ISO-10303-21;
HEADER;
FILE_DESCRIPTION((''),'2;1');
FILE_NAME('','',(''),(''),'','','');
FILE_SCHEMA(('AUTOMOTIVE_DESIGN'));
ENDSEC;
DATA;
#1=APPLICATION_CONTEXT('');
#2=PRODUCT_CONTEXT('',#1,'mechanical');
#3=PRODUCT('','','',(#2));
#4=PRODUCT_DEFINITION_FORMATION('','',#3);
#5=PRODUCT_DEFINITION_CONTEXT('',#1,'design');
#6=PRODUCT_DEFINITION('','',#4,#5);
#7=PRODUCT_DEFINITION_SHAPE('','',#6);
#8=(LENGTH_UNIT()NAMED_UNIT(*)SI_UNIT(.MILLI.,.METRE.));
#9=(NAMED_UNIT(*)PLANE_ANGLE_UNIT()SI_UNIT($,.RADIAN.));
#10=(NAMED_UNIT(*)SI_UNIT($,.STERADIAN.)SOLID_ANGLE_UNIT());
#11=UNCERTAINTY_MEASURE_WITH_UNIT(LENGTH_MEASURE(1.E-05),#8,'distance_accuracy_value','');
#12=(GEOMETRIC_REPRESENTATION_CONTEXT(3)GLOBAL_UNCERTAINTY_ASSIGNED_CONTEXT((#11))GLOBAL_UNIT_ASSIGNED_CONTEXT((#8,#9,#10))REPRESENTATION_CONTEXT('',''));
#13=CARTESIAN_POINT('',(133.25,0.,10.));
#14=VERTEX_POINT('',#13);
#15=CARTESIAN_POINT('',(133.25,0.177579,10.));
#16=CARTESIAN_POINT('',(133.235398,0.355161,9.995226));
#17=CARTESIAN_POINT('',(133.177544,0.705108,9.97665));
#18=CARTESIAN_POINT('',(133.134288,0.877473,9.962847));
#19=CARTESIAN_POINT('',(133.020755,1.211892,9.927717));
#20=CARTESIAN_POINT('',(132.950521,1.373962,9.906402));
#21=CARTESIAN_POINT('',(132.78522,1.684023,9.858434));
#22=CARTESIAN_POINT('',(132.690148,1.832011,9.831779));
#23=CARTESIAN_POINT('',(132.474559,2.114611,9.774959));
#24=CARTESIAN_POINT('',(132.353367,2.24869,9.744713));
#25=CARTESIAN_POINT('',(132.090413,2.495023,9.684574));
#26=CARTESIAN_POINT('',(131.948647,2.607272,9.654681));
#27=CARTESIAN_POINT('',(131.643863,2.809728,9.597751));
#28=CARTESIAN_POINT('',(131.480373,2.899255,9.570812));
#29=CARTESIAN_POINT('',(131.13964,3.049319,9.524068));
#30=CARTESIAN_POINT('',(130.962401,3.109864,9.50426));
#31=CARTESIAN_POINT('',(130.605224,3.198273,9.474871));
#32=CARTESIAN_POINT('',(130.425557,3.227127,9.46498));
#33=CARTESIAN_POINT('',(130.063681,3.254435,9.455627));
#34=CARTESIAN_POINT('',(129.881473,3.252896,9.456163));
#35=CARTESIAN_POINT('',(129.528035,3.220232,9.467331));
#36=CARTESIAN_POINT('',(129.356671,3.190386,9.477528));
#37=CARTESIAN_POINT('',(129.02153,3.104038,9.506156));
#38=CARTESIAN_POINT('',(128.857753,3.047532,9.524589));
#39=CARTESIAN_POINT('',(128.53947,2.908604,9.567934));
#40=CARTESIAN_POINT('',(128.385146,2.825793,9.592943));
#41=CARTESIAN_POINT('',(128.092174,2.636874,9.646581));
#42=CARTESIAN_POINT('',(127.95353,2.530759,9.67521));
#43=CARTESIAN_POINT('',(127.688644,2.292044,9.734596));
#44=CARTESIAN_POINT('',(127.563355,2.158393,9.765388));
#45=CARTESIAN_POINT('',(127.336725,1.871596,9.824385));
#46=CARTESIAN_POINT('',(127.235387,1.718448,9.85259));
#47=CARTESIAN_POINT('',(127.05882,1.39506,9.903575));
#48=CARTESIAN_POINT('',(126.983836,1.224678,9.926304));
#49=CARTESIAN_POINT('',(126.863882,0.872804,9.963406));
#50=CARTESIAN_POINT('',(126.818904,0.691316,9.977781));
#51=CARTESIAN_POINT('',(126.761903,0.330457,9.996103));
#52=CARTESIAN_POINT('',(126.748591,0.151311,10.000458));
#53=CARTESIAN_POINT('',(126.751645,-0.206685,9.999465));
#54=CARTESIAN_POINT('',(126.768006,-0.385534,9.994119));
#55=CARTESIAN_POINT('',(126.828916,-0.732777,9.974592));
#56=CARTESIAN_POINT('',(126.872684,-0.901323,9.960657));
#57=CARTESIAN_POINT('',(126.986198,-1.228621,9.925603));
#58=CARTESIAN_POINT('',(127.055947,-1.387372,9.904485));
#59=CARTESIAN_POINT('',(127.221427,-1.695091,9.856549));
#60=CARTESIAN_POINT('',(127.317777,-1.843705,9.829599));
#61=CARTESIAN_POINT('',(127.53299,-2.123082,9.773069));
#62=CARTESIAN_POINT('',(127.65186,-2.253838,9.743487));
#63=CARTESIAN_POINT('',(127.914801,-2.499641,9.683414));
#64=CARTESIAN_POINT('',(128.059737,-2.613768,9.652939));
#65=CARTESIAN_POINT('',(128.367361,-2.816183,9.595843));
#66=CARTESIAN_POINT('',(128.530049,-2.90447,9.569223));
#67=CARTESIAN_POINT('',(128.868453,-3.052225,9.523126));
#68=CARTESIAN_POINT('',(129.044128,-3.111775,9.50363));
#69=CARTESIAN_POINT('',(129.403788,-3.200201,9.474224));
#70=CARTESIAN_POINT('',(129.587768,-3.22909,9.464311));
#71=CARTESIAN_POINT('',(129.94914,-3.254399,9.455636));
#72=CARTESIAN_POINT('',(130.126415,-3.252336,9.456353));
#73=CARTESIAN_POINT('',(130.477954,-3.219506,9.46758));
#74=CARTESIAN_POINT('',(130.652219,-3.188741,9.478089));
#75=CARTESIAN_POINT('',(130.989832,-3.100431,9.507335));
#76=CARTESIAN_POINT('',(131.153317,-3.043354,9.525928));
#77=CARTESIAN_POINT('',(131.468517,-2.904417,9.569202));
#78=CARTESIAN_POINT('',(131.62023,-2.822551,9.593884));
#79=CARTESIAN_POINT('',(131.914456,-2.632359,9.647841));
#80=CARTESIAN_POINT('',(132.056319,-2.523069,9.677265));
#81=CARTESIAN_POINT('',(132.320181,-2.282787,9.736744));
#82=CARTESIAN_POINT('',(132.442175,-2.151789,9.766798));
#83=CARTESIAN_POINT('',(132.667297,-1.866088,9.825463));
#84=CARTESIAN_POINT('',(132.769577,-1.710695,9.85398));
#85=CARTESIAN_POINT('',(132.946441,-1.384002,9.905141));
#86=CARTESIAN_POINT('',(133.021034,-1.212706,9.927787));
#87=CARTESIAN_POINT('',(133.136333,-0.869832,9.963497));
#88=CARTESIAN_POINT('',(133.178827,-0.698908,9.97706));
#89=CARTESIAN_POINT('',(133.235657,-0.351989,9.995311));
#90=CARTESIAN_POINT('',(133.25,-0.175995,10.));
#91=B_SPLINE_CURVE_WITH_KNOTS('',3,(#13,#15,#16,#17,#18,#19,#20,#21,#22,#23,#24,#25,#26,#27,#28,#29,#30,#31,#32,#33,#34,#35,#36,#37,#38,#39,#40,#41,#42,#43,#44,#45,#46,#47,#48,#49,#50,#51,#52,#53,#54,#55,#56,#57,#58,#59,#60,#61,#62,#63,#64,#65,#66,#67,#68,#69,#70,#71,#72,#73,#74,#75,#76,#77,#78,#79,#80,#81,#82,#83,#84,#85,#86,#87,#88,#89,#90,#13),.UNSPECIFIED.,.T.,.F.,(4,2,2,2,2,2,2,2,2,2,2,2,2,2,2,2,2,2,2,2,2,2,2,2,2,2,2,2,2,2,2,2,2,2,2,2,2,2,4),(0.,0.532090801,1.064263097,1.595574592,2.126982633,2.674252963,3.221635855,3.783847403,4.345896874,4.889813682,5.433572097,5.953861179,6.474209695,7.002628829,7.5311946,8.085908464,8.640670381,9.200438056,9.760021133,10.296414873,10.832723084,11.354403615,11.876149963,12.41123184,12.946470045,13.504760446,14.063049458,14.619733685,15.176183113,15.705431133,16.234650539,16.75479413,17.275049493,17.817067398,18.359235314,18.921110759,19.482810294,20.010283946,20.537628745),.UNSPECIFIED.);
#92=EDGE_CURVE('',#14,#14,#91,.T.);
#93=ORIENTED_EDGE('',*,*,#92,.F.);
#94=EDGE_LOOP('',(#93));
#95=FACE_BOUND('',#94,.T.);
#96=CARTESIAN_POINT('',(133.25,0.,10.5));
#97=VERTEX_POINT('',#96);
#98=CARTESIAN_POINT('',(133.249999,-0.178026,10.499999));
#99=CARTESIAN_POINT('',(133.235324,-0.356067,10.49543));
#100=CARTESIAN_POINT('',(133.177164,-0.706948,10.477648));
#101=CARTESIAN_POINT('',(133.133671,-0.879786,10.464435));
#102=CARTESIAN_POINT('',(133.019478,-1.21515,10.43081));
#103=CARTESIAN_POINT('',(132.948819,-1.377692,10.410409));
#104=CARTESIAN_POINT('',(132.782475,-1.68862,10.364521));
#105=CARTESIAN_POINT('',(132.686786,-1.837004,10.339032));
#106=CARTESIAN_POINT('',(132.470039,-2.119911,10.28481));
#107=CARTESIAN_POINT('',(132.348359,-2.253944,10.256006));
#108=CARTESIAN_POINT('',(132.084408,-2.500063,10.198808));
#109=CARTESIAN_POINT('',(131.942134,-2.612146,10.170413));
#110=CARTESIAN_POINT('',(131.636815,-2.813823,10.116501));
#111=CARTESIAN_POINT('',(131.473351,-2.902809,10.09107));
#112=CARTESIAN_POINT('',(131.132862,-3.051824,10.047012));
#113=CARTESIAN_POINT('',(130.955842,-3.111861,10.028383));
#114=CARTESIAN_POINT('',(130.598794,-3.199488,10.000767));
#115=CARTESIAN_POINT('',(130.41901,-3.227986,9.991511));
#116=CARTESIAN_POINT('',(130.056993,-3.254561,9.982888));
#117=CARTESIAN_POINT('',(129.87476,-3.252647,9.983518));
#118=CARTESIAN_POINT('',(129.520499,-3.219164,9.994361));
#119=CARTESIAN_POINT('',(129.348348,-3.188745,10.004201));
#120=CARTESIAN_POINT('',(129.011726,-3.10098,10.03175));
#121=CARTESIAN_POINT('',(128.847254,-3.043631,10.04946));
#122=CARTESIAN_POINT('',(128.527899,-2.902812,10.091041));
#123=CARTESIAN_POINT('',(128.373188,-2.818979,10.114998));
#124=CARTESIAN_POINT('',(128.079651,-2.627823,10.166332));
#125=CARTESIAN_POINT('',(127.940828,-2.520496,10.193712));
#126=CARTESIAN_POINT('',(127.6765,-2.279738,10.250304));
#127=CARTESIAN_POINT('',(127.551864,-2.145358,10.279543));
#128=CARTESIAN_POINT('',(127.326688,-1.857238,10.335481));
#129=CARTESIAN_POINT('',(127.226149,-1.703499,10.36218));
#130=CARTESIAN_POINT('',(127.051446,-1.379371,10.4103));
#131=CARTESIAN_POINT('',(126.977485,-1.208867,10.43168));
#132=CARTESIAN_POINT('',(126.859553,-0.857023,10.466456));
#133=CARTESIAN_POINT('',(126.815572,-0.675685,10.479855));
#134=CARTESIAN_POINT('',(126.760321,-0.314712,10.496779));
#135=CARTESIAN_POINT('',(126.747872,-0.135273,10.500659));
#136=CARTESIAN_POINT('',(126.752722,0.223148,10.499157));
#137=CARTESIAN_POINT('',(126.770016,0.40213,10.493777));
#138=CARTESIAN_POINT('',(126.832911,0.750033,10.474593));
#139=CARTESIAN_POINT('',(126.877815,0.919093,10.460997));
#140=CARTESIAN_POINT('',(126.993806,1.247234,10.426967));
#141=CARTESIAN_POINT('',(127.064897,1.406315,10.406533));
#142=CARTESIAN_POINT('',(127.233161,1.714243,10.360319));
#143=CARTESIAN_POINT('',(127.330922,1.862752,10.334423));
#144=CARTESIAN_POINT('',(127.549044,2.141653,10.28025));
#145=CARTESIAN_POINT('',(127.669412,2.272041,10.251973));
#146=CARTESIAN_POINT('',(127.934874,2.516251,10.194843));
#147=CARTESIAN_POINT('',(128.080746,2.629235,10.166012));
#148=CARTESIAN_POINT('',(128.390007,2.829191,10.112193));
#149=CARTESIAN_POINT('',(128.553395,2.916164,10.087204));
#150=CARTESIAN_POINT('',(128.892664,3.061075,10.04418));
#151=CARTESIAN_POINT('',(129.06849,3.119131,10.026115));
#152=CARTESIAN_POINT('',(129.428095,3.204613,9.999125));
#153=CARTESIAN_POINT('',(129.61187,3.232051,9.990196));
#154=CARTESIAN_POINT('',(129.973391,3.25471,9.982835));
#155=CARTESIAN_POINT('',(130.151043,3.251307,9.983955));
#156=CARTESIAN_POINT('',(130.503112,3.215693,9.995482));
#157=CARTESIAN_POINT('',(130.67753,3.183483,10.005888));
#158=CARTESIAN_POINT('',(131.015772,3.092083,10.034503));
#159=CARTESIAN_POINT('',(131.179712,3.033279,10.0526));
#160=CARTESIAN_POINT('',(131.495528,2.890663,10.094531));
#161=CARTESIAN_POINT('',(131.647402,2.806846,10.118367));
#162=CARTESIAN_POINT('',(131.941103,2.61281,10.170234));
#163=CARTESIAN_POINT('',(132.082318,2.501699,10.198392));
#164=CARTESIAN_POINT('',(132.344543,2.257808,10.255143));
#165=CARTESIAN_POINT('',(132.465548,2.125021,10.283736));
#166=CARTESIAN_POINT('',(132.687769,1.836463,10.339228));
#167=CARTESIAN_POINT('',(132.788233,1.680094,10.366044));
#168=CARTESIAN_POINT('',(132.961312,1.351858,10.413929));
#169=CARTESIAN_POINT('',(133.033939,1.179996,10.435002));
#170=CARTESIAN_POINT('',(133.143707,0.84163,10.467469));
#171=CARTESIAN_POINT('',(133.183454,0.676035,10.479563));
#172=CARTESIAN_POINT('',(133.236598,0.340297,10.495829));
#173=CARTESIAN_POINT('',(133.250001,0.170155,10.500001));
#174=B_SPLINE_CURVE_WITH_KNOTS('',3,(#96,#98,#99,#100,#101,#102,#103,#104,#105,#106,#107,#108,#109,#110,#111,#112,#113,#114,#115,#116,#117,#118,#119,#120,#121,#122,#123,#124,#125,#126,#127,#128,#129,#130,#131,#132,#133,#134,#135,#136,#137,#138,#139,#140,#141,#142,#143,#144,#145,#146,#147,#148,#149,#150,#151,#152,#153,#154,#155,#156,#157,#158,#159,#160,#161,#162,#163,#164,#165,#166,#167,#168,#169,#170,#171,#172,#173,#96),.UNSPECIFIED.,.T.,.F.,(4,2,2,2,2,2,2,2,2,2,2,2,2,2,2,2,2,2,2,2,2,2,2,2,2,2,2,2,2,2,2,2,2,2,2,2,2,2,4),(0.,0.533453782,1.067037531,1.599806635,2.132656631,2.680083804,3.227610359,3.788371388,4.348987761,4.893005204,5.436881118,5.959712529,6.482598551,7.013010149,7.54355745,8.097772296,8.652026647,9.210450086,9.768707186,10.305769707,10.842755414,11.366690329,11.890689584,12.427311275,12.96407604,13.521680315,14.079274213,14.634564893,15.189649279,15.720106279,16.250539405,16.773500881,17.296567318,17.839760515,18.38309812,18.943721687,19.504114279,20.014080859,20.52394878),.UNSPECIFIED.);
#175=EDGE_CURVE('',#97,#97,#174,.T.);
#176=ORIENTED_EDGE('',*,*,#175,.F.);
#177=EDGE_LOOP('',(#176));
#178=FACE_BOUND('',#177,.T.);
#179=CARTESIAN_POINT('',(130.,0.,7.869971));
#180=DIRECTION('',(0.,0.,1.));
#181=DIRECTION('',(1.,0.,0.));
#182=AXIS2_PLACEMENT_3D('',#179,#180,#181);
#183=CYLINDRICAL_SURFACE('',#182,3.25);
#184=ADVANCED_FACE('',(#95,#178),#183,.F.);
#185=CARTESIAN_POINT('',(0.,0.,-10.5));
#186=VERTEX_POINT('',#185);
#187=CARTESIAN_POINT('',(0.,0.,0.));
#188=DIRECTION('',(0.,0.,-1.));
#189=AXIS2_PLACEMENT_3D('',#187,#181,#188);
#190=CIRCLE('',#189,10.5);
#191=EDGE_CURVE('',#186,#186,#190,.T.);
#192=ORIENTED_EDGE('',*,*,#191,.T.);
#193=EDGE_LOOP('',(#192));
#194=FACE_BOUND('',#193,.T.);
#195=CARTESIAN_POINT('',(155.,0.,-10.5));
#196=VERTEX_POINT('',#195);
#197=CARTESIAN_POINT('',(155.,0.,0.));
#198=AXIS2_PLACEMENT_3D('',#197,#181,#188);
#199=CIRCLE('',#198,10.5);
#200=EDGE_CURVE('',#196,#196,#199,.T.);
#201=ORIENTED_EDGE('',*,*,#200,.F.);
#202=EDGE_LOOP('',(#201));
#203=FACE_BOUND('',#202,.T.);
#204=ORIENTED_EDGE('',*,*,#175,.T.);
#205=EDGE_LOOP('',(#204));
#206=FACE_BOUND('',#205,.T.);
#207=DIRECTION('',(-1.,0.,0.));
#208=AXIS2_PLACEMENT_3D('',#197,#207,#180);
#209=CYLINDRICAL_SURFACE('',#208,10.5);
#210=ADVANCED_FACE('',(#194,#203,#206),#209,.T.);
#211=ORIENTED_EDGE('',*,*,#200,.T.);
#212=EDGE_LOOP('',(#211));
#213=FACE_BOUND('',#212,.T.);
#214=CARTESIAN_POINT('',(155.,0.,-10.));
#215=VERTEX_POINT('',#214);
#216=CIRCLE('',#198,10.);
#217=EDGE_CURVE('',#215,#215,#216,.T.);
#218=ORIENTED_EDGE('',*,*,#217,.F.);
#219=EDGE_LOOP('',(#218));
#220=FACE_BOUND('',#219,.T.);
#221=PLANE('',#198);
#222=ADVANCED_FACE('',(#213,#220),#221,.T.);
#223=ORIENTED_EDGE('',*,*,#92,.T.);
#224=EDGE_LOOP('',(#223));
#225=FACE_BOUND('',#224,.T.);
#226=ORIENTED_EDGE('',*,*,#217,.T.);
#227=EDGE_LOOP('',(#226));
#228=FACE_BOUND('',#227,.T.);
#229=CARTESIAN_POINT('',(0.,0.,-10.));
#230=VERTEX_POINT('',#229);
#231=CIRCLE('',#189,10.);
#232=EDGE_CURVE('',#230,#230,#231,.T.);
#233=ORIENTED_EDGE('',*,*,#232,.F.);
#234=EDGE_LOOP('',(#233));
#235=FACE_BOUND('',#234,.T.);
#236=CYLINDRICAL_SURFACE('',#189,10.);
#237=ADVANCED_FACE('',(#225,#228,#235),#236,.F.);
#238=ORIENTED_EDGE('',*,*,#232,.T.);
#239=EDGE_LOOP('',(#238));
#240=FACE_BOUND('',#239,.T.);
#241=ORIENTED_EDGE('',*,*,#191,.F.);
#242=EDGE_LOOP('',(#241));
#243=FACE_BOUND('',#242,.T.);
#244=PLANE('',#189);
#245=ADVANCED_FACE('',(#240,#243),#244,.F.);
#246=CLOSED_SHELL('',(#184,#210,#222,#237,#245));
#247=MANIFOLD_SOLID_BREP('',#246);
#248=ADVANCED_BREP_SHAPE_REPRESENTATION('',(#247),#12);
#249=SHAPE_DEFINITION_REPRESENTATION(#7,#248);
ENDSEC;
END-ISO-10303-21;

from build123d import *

# Parameters (mm, degrees)
CROQUIS1_R              = 10.5
SALIENTE_EXTRUIR1_DEPTH = 155
CROQUIS2_R              = 10
CORTAR_EXTRUIR1_DEPTH   = 155
CROQUIS3_R              = 3.25
CORTAR_EXTRUIR2_DEPTH   = 2.5


with BuildPart() as part:
    # Croquis1 → Saliente-Extruir1 (new body)
    with BuildSketch(Plane(origin=(0, 0, 0), x_dir=(0, 0, -1), z_dir=(1, 0, 0))):
        Circle(CROQUIS1_R)
    extrude(amount=SALIENTE_EXTRUIR1_DEPTH)

    # Croquis2 → Cortar-Extruir1 (cut)
    with BuildSketch(Plane(origin=(155, 0, 0), x_dir=(0, 0, -1), z_dir=(1, 0, 0))):
        Circle(CROQUIS2_R)
    extrude(amount=-CORTAR_EXTRUIR1_DEPTH, mode=Mode.SUBTRACT)

    # Croquis3 → Cortar-Extruir2 (cut, symmetric)
    with BuildSketch(Plane.XY.offset(10.369970807)):
        with Locations((130, 0)):
            Circle(CROQUIS3_R)
    extrude(amount=CORTAR_EXTRUIR2_DEPTH, both=True, mode=Mode.SUBTRACT)


solid = part.part
